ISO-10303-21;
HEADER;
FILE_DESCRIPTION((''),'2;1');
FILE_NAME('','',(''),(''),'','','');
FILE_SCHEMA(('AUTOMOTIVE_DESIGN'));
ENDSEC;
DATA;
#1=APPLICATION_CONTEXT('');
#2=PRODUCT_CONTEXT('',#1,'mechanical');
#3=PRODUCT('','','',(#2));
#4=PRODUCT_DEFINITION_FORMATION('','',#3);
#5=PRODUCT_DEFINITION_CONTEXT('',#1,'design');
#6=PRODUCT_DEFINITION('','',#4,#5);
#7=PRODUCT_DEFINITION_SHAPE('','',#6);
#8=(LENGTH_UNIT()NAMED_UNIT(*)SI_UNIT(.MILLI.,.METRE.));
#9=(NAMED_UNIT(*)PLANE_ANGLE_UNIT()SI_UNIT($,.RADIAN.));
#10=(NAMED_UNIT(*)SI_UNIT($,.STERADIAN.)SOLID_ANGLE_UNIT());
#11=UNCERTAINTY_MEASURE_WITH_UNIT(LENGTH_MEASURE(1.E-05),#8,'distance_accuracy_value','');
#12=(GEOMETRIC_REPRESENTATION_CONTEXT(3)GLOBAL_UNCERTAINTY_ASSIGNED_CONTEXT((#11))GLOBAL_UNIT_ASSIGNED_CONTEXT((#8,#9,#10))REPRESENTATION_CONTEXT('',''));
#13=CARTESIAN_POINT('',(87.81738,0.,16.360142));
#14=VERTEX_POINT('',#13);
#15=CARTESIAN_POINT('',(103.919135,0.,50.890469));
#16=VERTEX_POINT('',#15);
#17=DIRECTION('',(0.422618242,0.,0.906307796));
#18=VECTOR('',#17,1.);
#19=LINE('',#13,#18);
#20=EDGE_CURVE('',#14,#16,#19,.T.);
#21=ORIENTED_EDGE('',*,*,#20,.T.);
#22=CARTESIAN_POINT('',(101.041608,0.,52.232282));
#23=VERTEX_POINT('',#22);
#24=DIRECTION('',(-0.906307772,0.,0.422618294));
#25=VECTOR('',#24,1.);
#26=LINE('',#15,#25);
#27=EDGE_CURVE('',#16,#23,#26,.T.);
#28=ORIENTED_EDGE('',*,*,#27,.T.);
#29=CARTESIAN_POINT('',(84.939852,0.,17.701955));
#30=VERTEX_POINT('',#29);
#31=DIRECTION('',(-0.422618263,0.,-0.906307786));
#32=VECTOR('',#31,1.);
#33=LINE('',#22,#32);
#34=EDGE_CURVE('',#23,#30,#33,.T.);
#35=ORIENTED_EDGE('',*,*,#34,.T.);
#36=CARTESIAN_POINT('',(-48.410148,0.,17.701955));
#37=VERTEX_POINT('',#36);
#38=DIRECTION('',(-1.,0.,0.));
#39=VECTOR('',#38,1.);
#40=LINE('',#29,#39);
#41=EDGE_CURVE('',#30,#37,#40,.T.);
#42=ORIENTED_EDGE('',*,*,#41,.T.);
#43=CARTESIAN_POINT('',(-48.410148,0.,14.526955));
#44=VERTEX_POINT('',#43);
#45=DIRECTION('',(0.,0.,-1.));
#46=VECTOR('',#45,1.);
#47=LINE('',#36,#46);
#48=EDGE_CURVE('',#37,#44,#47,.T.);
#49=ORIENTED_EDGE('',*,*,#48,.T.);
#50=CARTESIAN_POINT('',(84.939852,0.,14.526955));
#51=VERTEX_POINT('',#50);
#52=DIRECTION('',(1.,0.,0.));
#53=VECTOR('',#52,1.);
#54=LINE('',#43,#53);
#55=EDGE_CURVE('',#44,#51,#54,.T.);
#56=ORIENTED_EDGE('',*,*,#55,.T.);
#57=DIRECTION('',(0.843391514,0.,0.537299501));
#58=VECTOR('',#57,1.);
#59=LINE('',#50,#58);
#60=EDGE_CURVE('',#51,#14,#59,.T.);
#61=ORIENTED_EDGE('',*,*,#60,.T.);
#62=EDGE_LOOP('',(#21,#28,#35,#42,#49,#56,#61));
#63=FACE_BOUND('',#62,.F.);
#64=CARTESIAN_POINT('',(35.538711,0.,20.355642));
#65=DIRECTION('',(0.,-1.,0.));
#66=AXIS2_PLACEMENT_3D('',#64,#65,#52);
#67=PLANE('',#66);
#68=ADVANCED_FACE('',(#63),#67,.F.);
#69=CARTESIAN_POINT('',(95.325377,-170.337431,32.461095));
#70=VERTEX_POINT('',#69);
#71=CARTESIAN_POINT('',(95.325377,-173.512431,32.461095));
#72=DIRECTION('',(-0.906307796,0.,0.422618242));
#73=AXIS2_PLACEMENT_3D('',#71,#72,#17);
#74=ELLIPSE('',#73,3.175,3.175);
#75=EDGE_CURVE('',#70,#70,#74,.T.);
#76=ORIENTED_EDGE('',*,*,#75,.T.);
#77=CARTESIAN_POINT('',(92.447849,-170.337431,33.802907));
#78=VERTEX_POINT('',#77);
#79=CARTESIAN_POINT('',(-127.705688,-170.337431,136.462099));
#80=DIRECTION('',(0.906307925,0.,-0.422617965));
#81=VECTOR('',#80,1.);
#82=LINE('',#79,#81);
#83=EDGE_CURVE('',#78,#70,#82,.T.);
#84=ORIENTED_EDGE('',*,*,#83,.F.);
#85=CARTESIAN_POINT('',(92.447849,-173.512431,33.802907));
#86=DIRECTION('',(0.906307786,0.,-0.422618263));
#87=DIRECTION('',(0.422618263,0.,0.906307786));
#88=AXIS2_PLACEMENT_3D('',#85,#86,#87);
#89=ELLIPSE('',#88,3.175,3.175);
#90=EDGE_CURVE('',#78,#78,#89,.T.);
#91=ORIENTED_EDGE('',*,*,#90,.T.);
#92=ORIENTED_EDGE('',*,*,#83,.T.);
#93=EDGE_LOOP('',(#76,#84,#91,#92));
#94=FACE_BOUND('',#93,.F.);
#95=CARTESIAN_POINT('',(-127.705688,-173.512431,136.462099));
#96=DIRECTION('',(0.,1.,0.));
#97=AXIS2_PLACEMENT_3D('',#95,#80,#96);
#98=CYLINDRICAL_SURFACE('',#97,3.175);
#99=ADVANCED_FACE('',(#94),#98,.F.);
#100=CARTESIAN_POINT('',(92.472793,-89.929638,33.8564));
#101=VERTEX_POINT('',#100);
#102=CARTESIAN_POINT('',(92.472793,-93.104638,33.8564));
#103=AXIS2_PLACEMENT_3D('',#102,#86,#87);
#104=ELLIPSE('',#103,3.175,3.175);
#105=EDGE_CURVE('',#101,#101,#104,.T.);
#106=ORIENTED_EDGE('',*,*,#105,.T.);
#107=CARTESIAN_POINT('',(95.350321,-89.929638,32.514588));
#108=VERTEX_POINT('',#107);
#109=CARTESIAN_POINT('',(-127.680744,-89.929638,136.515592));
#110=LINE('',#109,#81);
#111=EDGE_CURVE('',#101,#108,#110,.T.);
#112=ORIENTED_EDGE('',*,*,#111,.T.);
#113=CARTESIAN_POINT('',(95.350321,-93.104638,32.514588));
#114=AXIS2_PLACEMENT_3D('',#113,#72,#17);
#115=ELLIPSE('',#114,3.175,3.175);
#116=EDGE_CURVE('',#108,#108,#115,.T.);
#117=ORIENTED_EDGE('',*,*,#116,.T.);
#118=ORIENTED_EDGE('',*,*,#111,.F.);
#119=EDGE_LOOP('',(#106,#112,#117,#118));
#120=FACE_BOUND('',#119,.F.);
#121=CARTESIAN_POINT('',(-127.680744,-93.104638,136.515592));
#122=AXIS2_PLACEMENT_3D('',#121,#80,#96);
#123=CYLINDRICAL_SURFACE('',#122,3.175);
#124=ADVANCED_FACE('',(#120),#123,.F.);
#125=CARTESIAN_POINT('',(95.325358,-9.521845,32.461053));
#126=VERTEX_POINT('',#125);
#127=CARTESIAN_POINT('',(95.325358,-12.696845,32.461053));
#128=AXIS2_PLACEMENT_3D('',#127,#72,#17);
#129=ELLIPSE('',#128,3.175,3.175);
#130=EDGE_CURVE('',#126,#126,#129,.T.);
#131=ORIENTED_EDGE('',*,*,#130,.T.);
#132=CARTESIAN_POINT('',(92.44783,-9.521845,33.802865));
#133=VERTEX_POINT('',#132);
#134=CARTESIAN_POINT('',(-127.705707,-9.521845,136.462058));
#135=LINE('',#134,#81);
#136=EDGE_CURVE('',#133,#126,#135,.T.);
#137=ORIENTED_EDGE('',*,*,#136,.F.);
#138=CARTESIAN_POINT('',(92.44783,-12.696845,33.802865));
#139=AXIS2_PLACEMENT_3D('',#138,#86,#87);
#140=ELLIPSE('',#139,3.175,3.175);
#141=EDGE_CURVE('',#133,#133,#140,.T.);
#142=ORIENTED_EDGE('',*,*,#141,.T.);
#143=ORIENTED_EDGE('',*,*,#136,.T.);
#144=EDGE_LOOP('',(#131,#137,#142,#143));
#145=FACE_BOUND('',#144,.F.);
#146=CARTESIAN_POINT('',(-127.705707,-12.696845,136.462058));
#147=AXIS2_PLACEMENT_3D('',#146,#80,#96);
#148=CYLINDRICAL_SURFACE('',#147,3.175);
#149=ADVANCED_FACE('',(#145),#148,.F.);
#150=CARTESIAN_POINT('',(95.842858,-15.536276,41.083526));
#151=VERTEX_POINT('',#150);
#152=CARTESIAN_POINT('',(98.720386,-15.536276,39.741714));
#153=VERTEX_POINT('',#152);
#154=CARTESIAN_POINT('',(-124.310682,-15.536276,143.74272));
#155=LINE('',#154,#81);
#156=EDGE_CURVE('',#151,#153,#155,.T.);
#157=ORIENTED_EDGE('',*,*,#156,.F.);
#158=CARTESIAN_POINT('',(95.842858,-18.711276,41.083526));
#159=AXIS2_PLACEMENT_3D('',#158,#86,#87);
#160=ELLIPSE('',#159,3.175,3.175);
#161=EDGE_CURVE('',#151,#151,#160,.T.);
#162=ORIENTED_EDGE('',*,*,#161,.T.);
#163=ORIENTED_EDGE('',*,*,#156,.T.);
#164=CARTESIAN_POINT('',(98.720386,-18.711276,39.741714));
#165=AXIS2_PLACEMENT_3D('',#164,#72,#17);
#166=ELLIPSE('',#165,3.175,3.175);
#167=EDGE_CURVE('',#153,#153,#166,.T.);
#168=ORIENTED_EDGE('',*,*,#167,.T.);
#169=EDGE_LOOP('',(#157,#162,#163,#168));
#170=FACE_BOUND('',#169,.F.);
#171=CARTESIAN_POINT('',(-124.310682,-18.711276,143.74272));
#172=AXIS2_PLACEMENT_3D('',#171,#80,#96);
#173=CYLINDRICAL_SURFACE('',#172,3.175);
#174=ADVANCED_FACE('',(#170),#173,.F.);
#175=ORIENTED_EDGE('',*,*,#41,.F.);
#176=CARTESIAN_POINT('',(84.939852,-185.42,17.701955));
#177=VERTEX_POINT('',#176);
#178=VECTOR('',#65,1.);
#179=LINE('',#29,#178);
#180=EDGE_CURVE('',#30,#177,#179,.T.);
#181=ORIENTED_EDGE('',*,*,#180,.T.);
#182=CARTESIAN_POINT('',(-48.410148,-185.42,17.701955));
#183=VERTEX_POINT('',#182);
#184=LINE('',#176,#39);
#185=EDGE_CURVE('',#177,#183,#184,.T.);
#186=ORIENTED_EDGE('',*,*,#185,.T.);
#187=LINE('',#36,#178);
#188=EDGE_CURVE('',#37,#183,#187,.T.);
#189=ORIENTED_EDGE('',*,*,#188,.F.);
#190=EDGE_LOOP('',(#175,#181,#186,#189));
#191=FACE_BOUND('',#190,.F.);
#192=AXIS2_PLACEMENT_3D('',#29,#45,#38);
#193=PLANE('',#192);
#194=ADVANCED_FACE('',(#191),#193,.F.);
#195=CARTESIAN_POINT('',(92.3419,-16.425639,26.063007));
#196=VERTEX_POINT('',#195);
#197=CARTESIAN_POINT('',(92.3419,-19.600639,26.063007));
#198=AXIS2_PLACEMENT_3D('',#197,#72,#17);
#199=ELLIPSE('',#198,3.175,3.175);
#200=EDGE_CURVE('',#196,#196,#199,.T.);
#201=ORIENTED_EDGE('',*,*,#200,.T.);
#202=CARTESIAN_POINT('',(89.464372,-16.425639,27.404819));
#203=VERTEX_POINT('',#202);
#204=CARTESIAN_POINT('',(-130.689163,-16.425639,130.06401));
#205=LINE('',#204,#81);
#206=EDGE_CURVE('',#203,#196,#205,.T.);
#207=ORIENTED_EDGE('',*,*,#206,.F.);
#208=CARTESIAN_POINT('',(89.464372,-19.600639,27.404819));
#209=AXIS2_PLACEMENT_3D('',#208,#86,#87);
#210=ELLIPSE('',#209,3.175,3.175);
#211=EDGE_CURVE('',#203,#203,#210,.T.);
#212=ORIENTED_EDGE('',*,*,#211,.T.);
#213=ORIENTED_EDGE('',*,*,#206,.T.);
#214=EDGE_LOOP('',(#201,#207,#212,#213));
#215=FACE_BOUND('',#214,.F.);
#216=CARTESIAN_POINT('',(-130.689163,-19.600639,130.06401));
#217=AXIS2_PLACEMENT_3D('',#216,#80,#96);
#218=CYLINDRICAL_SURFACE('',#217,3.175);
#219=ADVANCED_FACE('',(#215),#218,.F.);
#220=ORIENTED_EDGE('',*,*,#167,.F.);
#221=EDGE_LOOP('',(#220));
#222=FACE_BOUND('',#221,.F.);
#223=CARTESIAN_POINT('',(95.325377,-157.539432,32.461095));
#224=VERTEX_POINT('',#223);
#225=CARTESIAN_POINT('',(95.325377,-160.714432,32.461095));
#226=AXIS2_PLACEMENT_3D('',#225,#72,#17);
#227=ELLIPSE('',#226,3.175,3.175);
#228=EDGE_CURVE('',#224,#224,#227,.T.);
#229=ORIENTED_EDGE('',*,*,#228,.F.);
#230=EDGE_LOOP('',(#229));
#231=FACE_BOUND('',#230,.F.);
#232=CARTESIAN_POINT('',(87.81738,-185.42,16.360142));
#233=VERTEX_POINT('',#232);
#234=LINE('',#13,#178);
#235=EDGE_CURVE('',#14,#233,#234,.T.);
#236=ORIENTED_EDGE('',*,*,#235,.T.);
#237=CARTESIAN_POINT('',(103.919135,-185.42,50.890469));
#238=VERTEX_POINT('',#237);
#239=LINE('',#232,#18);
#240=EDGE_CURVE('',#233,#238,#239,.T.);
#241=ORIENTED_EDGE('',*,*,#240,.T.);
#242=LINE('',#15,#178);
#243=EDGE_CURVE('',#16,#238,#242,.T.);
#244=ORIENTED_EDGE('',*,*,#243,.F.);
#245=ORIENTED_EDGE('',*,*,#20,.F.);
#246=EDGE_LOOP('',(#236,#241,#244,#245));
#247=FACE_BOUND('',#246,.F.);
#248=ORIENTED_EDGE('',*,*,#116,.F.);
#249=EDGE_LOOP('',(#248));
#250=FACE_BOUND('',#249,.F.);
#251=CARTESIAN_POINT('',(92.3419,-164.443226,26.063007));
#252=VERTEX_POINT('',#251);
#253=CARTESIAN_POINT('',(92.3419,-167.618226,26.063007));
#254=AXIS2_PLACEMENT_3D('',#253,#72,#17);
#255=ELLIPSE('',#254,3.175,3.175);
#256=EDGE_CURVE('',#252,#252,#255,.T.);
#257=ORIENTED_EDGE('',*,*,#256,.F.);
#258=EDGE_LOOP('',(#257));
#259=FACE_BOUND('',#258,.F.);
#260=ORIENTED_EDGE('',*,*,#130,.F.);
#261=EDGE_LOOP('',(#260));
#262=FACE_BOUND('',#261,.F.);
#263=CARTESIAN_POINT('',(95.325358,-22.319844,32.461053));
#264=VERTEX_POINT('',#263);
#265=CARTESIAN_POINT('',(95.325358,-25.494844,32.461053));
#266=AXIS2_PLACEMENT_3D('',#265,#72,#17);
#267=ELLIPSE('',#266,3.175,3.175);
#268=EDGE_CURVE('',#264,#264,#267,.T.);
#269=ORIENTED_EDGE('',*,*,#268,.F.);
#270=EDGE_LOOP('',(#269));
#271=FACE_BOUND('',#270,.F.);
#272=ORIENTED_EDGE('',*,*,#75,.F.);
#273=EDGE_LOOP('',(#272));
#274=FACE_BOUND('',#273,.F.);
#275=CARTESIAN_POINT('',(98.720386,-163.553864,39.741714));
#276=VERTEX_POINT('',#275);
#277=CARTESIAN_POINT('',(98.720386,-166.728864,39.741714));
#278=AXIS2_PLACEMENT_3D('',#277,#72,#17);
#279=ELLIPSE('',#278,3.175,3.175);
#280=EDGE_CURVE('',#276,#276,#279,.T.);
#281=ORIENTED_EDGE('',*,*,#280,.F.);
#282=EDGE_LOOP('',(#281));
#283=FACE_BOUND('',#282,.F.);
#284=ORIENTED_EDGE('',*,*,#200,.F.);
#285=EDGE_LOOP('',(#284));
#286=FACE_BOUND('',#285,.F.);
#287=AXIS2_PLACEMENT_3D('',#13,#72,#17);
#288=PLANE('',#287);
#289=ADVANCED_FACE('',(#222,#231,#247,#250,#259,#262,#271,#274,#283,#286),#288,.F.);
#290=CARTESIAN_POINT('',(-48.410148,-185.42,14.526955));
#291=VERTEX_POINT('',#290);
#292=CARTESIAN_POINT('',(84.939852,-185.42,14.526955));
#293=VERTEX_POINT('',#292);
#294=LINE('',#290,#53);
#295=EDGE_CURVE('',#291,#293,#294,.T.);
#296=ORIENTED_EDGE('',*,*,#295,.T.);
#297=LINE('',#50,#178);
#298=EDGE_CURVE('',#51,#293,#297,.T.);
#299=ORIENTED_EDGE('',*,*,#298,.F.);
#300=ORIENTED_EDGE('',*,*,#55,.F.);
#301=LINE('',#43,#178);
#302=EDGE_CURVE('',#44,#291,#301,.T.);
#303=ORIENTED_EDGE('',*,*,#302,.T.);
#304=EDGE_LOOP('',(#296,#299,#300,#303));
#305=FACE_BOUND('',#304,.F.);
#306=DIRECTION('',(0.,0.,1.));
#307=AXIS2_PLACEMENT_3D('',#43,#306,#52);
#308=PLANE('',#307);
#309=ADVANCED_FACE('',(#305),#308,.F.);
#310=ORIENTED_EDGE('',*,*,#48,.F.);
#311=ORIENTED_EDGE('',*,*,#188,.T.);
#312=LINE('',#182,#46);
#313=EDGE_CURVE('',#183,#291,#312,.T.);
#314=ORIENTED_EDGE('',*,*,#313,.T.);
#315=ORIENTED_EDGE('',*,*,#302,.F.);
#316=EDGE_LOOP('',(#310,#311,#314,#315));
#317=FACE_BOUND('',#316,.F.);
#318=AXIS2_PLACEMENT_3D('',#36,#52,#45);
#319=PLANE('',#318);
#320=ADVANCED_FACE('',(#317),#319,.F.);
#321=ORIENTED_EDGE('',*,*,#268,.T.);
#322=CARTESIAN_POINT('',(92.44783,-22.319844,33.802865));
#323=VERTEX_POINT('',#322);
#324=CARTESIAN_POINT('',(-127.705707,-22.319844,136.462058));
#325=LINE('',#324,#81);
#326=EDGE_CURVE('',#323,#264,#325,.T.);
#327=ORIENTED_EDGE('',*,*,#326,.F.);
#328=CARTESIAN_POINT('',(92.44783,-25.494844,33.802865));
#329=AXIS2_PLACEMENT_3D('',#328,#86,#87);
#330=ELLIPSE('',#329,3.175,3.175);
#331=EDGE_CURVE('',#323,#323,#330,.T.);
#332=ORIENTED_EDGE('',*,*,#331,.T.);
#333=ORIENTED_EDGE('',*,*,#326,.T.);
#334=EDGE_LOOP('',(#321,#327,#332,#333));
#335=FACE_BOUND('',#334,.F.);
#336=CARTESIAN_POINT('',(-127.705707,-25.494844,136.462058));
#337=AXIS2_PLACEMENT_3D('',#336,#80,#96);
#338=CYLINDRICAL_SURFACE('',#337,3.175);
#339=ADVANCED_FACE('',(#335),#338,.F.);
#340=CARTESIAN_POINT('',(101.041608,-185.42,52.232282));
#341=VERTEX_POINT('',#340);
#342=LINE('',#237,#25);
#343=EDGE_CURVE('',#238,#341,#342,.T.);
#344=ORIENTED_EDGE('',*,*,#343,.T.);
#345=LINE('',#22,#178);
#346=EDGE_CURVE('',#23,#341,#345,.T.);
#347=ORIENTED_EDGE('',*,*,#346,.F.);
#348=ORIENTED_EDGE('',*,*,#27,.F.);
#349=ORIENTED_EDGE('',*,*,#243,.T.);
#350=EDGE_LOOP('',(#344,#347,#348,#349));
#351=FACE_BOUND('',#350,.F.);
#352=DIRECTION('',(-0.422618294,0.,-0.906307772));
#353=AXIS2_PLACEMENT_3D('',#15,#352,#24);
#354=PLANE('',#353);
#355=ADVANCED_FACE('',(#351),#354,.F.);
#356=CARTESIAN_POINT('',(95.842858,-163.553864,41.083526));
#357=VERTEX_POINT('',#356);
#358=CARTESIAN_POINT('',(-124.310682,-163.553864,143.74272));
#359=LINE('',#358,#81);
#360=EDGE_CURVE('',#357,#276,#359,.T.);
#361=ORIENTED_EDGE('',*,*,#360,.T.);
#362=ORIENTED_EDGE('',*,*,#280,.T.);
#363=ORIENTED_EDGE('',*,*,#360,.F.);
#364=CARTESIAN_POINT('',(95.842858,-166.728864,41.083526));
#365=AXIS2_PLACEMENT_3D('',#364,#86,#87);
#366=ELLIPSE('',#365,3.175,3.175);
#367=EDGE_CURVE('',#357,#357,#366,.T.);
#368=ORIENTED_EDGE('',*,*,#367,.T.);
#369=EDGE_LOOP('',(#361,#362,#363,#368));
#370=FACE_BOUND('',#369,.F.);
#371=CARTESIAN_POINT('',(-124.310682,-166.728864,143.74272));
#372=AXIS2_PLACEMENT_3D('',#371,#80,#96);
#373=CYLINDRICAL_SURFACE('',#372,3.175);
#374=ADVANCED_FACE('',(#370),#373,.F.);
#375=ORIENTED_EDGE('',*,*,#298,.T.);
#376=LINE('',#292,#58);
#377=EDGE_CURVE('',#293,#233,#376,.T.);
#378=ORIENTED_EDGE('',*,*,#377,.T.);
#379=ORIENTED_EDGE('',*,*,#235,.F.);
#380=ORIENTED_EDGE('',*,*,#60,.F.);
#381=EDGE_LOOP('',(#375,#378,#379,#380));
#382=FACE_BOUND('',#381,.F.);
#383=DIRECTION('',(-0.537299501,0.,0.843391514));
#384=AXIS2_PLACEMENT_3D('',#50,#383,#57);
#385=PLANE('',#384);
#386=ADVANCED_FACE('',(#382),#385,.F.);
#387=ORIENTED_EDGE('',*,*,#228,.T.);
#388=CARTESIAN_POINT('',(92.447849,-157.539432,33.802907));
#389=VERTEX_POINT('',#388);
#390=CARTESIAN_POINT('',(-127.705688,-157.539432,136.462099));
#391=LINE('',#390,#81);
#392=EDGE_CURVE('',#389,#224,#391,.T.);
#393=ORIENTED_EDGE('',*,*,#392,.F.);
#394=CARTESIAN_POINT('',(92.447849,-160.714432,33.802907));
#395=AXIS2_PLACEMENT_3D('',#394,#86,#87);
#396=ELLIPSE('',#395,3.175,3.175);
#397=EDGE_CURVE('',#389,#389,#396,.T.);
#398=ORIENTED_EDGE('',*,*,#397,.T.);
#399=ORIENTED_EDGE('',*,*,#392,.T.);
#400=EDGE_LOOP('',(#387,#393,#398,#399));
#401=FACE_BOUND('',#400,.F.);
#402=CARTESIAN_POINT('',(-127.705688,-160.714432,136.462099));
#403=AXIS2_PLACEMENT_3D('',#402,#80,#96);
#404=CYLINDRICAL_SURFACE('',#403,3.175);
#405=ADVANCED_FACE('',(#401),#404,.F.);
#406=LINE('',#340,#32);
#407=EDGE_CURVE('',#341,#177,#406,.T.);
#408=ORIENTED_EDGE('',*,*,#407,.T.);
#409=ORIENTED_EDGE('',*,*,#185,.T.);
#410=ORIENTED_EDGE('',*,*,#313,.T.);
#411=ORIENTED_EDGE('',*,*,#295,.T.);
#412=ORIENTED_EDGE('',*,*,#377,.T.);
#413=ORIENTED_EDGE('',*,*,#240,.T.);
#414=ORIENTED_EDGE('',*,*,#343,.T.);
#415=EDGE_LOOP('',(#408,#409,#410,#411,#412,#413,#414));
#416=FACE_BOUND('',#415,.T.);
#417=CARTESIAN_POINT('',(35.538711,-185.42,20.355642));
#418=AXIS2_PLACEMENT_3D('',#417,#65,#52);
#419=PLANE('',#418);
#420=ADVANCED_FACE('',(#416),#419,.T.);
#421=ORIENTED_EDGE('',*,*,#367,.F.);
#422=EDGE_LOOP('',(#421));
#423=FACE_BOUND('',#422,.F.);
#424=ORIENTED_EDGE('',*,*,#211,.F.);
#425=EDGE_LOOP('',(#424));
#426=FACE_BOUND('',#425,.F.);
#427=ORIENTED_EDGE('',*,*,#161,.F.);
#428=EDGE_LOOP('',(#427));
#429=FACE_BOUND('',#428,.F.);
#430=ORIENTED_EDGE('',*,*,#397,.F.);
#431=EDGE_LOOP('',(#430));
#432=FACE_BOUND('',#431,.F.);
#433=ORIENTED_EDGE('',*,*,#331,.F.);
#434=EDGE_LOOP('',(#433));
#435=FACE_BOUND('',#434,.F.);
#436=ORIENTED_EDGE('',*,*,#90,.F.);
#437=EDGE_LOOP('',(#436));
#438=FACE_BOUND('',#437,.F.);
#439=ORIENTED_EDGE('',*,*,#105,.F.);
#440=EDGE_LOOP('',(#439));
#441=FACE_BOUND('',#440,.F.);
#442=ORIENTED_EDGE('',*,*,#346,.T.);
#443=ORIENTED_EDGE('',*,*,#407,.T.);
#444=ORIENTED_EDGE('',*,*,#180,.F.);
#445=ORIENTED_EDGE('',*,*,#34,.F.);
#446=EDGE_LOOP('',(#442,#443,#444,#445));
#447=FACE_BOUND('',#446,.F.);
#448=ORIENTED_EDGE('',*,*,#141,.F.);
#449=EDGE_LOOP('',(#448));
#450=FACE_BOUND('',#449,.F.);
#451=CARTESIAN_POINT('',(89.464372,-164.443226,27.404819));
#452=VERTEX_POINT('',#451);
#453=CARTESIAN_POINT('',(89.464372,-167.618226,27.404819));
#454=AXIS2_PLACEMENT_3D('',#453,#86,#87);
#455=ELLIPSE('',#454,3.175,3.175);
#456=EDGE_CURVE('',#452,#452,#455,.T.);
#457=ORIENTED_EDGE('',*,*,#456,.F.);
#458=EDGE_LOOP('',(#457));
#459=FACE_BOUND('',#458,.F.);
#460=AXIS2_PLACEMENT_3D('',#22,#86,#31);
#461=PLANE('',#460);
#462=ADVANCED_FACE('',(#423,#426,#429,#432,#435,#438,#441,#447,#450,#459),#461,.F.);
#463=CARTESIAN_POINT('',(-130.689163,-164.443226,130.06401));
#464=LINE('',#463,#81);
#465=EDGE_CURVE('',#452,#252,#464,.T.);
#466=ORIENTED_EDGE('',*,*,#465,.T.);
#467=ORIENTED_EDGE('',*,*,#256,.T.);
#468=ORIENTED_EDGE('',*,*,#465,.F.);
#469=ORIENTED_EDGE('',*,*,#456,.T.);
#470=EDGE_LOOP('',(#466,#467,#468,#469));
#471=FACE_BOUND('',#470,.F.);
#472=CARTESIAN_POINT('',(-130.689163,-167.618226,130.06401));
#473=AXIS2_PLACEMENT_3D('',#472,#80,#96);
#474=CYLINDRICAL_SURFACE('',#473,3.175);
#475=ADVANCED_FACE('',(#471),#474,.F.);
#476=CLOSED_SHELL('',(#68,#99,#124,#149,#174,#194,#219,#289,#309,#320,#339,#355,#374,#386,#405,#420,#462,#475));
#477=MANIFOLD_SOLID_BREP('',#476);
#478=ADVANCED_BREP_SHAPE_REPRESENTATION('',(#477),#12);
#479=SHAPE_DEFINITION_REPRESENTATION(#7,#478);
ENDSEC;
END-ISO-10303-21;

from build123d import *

# Parameters (mm, degrees)
F1_DEPTH = 185.42
F3_D     = 6.35
F4_D     = 6.35
F5_D     = 6.35
F6_D     = 6.35
F7_D     = 6.35
F8_D     = 6.35
F9_D     = 6.35
F10_D    = 6.35
F11_D    = 6.35


with BuildPart() as f1:
    # F0 (on Front) → F1 (new body)
    with BuildSketch(Plane.XZ):
        Polygon((84.939852, 17.701955), (-48.410148, 17.701955), (-48.410148, 14.526955), (84.939852, 14.526955), (87.81738, 16.360142), (103.919135, 50.890469), (101.041608, 52.232282), align=None)
    extrude(amount=F1_DEPTH)

    # F3 (through all)
    with Locations(Plane(origin=(62.988826, 0, -29.372172), x_dir=(0, -1, 0), z_dir=(-0.906308, 0, 0.422618))):
        with Locations((18.711276, 77.739262)):
            Hole(F3_D / 2)

    # F4 (through all)
    with Locations(Plane(origin=(62.988826, 0, -29.372172), x_dir=(0, -1, 0), z_dir=(-0.906308, 0, 0.422618))):
        with Locations((12.696845, 69.705941)):
            Hole(F4_D / 2)

    # F5 (through all)
    with Locations(Plane(origin=(62.988826, 0, -29.372172), x_dir=(0, -1, 0), z_dir=(-0.906308, 0, 0.422618))):
        with Locations((19.600639, 62.646478)):
            Hole(F5_D / 2)

    # F6 (through all)
    with Locations(Plane(origin=(62.988826, 0, -29.372172), x_dir=(0, -1, 0), z_dir=(-0.906308, 0, 0.422618))):
        with Locations((25.494844, 69.705941)):
            Hole(F6_D / 2)

    # F7 (through all)
    with Locations(Plane(origin=(62.988826, 0, -29.372172), x_dir=(0, -1, 0), z_dir=(-0.906308, 0, 0.422618))):
        with Locations((166.728864, 77.739262)):
            Hole(F7_D / 2)

    # F8 (through all)
    with Locations(Plane(origin=(62.988826, 0, -29.372172), x_dir=(0, -1, 0), z_dir=(-0.906308, 0, 0.422618))):
        with Locations((160.714432, 69.705987)):
            Hole(F8_D / 2)

    # F9 (through all)
    with Locations(Plane(origin=(62.988826, 0, -29.372172), x_dir=(0, -1, 0), z_dir=(-0.906308, 0, 0.422618))):
        with Locations((167.618226, 62.646478)):
            Hole(F9_D / 2)

    # F10 (through all)
    with Locations(Plane(origin=(62.988826, 0, -29.372172), x_dir=(0, -1, 0), z_dir=(-0.906308, 0, 0.422618))):
        with Locations((173.512431, 69.705987)):
            Hole(F10_D / 2)

    # F11 (through all)
    with Locations(Plane(origin=(62.988826, 0, -29.372172), x_dir=(0, -1, 0), z_dir=(-0.906308, 0, 0.422618))):
        with Locations((93.104638, 69.76501)):
            Hole(F11_D / 2)


solid = f1.part
